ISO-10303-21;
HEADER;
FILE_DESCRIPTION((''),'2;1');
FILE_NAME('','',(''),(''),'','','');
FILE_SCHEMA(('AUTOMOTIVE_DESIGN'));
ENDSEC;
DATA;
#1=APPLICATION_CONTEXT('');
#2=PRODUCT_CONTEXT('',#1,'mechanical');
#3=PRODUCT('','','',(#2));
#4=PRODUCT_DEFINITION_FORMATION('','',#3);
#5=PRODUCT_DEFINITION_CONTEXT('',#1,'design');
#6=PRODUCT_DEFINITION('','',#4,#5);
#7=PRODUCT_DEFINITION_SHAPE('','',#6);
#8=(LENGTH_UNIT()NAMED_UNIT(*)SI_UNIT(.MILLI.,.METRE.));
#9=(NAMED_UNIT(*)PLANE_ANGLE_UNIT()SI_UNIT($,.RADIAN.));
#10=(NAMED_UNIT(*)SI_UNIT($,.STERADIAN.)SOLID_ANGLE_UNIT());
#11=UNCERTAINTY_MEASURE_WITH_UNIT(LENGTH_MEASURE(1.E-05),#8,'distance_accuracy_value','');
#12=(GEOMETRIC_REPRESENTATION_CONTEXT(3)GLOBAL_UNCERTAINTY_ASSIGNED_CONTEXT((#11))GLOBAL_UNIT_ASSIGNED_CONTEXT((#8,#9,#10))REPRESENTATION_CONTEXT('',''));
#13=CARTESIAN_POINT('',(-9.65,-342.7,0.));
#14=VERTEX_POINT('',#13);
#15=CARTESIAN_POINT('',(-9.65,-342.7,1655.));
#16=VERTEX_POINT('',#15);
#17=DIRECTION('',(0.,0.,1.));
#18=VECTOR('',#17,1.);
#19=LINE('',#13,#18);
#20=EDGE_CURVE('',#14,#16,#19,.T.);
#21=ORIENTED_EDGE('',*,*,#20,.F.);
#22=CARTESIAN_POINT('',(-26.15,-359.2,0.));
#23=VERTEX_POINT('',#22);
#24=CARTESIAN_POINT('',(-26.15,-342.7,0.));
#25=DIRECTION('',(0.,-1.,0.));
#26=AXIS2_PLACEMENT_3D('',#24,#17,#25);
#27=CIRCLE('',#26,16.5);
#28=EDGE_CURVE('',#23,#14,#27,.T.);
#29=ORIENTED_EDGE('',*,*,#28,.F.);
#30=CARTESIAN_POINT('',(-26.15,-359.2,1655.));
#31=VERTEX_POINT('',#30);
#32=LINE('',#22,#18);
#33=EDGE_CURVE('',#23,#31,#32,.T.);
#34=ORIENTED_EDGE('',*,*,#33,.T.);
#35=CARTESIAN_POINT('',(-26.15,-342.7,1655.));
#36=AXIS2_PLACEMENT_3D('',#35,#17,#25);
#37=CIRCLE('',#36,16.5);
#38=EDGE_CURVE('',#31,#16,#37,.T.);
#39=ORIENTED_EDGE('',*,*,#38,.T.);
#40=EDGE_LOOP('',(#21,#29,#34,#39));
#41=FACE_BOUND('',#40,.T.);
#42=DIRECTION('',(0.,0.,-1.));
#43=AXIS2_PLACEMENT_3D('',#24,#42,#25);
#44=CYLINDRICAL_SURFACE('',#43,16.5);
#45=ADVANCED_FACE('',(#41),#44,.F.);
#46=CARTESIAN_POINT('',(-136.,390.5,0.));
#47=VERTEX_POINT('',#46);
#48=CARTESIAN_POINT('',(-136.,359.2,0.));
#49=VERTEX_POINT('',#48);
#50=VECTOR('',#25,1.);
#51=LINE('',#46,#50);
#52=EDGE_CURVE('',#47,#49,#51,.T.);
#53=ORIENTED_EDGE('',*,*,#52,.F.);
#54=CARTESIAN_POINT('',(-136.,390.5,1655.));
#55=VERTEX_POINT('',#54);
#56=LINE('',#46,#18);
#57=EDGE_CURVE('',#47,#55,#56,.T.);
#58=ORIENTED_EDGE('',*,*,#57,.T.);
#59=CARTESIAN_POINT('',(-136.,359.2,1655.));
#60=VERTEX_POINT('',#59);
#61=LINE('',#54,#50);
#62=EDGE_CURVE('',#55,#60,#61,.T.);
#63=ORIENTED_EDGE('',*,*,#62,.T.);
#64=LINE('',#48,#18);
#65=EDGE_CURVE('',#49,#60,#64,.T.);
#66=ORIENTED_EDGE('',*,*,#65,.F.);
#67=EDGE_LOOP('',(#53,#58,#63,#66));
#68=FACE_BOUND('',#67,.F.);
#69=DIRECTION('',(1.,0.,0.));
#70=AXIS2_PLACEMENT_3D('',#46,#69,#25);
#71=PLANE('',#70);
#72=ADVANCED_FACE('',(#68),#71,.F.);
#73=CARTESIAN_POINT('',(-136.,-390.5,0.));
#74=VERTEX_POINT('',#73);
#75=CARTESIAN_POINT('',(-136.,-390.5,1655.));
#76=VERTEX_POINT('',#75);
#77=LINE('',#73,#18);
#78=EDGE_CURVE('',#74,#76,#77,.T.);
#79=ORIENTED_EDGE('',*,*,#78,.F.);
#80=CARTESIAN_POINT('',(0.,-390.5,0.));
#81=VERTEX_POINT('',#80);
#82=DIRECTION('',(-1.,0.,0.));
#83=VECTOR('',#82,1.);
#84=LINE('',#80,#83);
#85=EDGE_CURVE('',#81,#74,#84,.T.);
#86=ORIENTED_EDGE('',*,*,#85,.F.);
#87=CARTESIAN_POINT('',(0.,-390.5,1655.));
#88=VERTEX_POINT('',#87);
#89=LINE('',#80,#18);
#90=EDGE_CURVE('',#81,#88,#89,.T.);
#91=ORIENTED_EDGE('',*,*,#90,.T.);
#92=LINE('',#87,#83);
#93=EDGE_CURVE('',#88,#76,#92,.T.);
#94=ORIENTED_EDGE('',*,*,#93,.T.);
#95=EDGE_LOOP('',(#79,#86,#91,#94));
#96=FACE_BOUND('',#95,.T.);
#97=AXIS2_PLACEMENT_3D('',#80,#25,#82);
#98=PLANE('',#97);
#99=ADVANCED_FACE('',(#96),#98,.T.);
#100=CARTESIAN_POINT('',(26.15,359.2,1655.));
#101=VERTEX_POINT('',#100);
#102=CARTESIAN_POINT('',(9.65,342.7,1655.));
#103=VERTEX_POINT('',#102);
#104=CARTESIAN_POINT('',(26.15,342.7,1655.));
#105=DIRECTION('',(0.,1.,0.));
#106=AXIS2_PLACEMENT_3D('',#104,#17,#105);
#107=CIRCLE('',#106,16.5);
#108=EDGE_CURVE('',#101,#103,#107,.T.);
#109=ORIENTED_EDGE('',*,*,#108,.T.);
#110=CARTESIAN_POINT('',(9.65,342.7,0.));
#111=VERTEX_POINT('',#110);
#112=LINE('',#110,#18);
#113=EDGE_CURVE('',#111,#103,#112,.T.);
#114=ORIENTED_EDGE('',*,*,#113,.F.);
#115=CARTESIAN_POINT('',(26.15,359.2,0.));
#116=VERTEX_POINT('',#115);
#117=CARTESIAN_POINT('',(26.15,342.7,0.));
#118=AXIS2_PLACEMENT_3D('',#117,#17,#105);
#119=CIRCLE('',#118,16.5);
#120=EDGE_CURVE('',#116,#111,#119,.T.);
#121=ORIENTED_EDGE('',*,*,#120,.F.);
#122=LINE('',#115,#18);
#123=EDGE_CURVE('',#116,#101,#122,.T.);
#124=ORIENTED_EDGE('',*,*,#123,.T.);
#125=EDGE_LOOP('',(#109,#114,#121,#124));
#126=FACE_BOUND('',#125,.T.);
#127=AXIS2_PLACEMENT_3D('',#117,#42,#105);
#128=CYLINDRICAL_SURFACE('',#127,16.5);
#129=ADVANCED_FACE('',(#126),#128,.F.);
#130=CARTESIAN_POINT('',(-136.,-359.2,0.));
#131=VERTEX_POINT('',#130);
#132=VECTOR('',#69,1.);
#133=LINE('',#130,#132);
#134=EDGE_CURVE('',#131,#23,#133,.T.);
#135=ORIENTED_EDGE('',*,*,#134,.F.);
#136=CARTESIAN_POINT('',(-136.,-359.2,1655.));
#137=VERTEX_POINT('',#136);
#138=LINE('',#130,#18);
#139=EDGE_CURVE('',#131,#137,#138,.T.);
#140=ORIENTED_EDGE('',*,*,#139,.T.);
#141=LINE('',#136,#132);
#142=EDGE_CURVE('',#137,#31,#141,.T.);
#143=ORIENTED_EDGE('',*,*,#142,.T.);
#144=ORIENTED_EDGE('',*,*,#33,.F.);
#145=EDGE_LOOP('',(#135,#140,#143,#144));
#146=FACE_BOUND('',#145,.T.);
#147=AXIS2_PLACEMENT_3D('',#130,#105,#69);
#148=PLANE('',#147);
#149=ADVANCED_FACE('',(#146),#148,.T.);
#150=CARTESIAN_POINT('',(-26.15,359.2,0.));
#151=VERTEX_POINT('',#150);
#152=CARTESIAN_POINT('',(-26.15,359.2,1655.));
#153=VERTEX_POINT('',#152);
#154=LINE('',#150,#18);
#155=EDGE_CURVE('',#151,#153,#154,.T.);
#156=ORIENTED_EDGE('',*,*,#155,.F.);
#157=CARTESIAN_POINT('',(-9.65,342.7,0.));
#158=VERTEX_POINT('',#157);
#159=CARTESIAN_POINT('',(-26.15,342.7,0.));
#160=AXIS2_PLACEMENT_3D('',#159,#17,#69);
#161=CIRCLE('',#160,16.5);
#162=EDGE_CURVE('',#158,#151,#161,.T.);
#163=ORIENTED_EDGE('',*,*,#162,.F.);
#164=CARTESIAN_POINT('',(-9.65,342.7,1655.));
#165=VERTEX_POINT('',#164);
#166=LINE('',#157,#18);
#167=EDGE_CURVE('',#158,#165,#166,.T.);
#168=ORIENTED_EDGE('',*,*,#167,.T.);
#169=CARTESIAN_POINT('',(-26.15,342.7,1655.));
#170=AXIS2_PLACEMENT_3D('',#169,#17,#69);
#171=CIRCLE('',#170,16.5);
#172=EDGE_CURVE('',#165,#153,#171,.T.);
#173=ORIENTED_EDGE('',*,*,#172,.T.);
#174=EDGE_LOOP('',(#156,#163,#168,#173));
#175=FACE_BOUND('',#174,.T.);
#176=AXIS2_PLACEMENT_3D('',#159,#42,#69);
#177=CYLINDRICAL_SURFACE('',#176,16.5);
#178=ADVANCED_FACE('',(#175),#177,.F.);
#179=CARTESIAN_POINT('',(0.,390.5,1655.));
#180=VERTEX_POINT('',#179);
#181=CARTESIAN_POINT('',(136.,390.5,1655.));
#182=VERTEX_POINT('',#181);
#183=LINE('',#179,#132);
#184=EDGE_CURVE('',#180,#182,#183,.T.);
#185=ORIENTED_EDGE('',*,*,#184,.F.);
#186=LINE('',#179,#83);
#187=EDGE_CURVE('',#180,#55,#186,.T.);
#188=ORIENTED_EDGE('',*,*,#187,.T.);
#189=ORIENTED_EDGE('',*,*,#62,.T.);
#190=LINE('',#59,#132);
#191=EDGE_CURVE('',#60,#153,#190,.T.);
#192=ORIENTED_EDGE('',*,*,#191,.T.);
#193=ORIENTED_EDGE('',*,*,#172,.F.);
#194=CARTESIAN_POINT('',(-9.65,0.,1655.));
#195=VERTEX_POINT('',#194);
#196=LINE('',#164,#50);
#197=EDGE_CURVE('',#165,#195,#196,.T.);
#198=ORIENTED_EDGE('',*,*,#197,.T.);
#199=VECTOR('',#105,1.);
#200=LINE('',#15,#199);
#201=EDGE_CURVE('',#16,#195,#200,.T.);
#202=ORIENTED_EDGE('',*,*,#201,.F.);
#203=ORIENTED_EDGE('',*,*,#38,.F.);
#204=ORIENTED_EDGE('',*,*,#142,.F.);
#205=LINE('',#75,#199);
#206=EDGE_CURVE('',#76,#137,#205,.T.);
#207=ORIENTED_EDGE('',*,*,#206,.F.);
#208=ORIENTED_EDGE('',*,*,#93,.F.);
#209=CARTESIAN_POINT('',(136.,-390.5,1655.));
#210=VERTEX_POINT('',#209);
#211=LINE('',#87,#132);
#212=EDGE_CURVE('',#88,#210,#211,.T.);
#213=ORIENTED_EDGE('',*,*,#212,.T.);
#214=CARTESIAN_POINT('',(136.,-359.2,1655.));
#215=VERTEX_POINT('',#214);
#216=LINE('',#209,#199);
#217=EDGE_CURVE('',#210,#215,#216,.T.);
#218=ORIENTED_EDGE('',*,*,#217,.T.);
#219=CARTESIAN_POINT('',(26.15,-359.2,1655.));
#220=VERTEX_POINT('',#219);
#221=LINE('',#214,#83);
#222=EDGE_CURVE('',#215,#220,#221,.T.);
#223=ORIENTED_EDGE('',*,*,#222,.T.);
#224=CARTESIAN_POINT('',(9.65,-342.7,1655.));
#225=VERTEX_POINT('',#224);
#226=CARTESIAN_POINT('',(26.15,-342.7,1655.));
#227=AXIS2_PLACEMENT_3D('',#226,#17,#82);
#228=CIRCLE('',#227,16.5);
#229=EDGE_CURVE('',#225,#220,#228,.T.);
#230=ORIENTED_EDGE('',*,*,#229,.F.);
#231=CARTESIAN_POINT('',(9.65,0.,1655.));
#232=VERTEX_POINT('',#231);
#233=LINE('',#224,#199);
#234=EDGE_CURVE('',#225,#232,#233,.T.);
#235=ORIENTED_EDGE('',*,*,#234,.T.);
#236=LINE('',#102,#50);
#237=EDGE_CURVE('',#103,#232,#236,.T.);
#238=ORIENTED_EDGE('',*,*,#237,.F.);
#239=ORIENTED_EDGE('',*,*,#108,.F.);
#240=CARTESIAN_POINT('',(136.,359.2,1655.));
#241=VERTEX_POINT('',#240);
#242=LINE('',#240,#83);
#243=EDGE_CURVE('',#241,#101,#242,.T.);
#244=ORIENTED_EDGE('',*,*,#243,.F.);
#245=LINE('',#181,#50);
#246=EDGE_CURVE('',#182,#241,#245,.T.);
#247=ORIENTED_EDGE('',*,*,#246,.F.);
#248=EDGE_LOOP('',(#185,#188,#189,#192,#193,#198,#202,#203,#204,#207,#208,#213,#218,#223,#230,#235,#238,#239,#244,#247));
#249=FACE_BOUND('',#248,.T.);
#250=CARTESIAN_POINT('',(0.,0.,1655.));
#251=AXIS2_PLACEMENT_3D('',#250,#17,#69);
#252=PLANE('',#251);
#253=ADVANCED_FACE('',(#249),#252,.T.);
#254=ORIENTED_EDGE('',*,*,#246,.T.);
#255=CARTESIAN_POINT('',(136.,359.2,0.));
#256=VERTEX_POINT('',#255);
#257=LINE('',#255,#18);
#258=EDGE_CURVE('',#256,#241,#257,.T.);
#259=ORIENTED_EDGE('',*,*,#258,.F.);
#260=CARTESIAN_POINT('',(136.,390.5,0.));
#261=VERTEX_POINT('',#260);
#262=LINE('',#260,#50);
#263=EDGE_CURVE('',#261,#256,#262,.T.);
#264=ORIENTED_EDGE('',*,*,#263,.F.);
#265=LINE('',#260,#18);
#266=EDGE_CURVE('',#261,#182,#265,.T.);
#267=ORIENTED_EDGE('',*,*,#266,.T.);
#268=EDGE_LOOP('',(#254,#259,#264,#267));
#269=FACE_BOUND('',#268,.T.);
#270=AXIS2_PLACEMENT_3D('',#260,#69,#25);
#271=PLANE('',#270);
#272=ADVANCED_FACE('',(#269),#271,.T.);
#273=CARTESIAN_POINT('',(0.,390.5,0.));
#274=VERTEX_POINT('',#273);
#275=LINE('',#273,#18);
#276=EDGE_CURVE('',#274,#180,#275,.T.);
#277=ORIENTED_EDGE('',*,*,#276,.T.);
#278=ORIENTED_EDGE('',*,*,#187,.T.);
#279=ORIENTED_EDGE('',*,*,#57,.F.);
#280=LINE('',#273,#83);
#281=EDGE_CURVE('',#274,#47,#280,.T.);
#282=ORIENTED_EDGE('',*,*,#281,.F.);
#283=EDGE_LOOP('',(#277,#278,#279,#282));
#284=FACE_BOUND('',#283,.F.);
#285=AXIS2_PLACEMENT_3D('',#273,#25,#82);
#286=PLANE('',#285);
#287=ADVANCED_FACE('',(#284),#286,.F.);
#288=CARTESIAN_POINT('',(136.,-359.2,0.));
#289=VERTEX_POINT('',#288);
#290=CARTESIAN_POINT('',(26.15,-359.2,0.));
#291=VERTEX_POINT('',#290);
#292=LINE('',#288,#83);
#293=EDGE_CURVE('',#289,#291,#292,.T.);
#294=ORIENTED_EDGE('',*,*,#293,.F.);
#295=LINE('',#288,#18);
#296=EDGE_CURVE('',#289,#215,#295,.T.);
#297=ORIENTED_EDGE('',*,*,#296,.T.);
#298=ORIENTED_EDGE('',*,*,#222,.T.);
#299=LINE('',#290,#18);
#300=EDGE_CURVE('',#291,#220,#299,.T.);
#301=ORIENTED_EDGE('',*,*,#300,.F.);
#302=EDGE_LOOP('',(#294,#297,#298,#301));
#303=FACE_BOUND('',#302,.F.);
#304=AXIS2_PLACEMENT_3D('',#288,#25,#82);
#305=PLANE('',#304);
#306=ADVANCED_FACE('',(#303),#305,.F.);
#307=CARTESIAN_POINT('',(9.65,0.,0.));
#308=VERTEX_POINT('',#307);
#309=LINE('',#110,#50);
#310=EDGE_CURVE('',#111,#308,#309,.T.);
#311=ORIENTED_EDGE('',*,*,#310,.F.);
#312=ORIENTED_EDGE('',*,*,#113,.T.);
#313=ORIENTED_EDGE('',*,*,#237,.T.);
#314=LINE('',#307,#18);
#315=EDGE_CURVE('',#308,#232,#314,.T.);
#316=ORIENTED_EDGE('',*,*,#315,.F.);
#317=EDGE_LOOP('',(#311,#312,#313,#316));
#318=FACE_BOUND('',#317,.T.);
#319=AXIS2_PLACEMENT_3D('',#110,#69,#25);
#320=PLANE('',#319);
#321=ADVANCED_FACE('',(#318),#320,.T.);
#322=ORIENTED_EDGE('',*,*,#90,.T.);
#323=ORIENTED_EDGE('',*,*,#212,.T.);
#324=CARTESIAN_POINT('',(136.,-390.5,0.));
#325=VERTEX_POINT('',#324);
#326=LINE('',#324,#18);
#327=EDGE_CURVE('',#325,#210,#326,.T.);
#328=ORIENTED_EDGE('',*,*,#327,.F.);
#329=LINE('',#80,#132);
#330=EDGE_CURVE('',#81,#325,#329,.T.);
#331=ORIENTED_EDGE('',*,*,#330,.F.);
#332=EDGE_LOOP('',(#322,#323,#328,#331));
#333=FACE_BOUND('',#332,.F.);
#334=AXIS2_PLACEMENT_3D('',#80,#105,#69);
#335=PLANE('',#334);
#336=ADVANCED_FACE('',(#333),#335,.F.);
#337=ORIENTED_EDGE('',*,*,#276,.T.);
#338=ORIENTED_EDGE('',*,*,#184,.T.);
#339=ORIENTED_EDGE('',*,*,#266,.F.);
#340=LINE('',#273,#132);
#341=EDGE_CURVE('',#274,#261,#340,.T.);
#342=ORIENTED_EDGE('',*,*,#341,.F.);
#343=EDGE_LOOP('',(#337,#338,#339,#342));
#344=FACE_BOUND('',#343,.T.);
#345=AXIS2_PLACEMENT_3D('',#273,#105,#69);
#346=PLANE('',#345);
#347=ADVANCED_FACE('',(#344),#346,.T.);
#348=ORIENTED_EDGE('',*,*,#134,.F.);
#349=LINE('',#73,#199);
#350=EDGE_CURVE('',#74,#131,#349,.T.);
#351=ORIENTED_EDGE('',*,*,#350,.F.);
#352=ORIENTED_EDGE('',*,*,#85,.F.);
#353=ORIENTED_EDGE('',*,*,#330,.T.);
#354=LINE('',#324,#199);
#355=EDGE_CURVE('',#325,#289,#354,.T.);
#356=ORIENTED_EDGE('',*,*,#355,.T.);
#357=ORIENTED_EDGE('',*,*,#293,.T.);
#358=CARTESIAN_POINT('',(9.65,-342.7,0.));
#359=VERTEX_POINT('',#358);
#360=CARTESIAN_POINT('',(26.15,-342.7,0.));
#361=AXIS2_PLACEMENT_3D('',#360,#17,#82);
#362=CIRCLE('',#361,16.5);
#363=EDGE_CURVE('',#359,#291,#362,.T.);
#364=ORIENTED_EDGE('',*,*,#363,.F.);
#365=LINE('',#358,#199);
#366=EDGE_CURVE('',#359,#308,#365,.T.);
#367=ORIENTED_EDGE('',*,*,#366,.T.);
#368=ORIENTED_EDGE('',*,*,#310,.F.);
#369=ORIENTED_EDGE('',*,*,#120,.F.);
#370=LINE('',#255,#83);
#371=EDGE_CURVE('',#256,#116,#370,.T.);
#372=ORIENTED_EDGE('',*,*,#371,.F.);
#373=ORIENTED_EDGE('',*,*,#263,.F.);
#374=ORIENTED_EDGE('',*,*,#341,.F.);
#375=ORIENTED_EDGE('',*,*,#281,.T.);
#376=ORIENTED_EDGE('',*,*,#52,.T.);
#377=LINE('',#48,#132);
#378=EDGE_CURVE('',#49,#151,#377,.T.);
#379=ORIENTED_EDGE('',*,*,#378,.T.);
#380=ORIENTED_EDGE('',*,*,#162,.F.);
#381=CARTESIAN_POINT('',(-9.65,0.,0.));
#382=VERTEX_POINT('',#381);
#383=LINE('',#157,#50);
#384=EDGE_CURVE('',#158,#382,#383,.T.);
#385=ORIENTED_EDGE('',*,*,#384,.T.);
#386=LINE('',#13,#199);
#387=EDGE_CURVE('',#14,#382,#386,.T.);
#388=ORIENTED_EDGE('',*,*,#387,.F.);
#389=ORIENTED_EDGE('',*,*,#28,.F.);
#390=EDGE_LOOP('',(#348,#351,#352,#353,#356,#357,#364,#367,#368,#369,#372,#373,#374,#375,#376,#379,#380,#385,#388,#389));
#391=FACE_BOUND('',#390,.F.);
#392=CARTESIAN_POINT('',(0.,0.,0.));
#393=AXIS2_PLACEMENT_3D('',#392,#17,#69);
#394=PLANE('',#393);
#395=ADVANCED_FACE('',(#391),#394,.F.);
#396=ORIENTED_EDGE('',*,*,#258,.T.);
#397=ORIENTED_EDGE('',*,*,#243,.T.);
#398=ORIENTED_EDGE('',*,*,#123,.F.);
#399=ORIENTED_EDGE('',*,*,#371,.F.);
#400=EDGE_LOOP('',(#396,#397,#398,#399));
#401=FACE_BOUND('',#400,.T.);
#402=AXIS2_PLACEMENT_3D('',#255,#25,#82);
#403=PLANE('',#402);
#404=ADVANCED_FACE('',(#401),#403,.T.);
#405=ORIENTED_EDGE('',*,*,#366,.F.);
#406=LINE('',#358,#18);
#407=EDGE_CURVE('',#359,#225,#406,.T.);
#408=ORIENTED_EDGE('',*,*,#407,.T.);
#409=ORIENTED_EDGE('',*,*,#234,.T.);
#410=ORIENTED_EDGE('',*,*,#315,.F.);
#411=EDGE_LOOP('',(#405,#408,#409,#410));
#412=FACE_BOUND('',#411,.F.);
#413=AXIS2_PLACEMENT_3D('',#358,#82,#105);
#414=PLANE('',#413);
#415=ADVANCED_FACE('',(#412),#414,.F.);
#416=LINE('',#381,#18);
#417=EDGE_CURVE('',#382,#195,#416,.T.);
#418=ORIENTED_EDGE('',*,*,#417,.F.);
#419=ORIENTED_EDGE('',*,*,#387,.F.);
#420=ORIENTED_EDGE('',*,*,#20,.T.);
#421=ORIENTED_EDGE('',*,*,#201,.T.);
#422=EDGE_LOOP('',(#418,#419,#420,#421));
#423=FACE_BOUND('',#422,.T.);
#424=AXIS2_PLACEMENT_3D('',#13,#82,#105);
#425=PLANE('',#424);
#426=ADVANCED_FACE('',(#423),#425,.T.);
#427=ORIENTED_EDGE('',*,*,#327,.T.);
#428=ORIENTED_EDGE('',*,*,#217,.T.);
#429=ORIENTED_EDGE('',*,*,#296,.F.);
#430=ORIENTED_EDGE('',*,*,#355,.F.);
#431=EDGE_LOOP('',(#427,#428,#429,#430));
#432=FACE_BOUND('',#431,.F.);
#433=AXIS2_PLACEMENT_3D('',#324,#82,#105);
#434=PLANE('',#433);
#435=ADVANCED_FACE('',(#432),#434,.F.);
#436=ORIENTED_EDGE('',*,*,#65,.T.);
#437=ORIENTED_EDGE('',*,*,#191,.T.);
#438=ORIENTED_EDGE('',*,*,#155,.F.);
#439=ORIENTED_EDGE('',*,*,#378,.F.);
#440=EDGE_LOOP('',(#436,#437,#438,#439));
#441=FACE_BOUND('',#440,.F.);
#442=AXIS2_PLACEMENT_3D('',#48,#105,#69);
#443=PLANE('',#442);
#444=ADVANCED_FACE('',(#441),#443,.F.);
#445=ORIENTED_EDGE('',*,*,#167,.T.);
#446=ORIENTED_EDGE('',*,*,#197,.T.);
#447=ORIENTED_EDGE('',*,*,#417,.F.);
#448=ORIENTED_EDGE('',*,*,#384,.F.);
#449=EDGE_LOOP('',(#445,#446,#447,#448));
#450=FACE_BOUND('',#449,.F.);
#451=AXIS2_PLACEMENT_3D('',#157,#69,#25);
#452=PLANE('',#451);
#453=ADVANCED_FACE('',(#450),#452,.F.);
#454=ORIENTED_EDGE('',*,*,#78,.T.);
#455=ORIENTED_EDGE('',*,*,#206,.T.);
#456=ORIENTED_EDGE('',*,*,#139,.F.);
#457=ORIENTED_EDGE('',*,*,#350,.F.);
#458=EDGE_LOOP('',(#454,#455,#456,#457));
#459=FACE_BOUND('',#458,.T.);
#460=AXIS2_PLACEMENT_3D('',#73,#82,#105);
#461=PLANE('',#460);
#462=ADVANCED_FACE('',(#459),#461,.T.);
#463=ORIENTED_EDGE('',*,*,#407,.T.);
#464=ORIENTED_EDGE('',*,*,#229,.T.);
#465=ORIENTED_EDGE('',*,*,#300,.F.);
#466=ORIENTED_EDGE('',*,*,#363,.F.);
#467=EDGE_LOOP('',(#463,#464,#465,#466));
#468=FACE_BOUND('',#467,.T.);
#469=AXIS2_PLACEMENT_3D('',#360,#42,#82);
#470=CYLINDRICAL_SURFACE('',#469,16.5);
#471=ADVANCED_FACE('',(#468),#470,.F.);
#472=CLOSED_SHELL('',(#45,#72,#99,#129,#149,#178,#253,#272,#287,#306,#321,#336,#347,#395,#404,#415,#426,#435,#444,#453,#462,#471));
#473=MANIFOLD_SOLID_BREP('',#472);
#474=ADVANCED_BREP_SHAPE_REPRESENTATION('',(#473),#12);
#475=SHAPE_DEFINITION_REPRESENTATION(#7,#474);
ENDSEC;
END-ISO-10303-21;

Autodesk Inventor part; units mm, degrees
ref_plane "YZ Plane" through (0, 0, 0) normal (1, 0, 0) x (0, 1, 0)
ref_plane "Start plane" through (0, 0, 0) normal (0, 0, 1) x (1, 0, 0)
ref_plane "End plane" through (0, 0, 1655) normal (0, 0, 1) x (1, 0, 0)
sketch "Sketch" plane through (0, 0, 0) normal (0, 0, 1) x (1, 0, 0)
  line L0 (-136, -390.5) -> (-136, -359.2)
  line L1 (-136, -359.2) -> (-26.15, -359.2)
  line L2 (-9.65, -342.7) -> (-9.65, 0)
  line L3 (-9.65, 0) -> (0, 0) construction
  line L4 (0, 0) -> (0, -390.5) construction
  line L5 (0, -390.5) -> (-136, -390.5)
  line L6 (-60, 0) -> (80, 0) construction
  line L7 (0, -60) -> (0, 80) construction
  line L8 (136, -390.5) -> (136, -359.2)
  line L9 (136, -359.2) -> (26.15, -359.2)
  line L10 (9.65, -342.7) -> (9.65, 0)
  line L11 (9.65, 0) -> (0, 0) construction
  line L12 (0, -390.5) -> (136, -390.5)
  line L13 (-136, 390.5) -> (-136, 359.2)
  line L14 (-136, 359.2) -> (-26.15, 359.2)
  line L15 (-9.65, 342.7) -> (-9.65, 0)
  line L16 (0, 390.5) -> (-136, 390.5)
  line L17 (136, 390.5) -> (136, 359.2)
  line L18 (136, 359.2) -> (26.15, 359.2)
  line L19 (0, 390.5) -> (136, 390.5)
  line L20 (9.65, 342.7) -> (9.65, 0)
  arc A0 (-9.65, 342.7) -> (-26.15, 359.2) centre (-26.15, 342.7) ccw
  arc A1 (26.15, 359.2) -> (9.65, 342.7) centre (26.15, 342.7) ccw
  arc A2 (9.65, -342.7) -> (26.15, -359.2) centre (26.15, -342.7) ccw
  arc A3 (-26.15, -359.2) -> (-9.65, -342.7) centre (-26.15, -342.7) ccw
  line L21 (0, 108) -> (0, -88) construction
  line L22 (-88, 0) -> (108, 0) construction
  point P0 (-9.65, -359.2)
  point P1 (9.65, -359.2)
  point P2 (-9.65, 359.2)
  point P3 (9.65, 359.2)
  dimension "d1" = 390.5
  dimension "d2" = 31.3
  dimension "d3" = 136
  dimension "d4" = 9.65
  dimension "d10" = 16.5
extrude "Body" add sketch "Sketch" along normal up to surface (1655 mm away) from surface at 0
sketch "Sketch4" plane through (0, 0, 0) normal (0, 0, 1) x (1, 0, 0)
  line L0 (0, 0) -> (10, 0)
ref_plane "Work Plane3" through (0, 0, 0) normal (0, -1, 0) x (1, 0, 0)
sketch "Sketch5" plane through (0, 0, 0) normal (0, -1, 0) x (1, 0, 0)
  line L0 (-2, 0) -> (12, 0) projected
  line L1 (-2, 1655) -> (12, 1655) projected
  dimension "d14" = 1655
equation "\"d1\" = 0.5 * G_H"
equation "\"d2\" = G_T1"
equation "\"d3\" = 0.5 * G_W"
equation "\"d4\" = 0.5 * G_T"
equation "\"d10\" = G_IR"
equation "\"d5\" = G_L"
equation "\"G_W\" = 272"
equation "\"G_H\" = 781"
equation "\"G_T\" = 19.3"
equation "\"G_T1\" = 31.3"
equation "\"G_IR\" = 16.5"
equation "\"G_L\" = d14"
equation "\"G_OFFSET_START\" = 0"
equation "\"G_OFFSET_END\" = 0"
equation "\"d12\" = G_OFFSET_END + B_L"
equation "\"B_L\" = 1655"
properties part number "AS 3679-1990 - 760 UB - 244 - 1655" material "Steel, Mild"
